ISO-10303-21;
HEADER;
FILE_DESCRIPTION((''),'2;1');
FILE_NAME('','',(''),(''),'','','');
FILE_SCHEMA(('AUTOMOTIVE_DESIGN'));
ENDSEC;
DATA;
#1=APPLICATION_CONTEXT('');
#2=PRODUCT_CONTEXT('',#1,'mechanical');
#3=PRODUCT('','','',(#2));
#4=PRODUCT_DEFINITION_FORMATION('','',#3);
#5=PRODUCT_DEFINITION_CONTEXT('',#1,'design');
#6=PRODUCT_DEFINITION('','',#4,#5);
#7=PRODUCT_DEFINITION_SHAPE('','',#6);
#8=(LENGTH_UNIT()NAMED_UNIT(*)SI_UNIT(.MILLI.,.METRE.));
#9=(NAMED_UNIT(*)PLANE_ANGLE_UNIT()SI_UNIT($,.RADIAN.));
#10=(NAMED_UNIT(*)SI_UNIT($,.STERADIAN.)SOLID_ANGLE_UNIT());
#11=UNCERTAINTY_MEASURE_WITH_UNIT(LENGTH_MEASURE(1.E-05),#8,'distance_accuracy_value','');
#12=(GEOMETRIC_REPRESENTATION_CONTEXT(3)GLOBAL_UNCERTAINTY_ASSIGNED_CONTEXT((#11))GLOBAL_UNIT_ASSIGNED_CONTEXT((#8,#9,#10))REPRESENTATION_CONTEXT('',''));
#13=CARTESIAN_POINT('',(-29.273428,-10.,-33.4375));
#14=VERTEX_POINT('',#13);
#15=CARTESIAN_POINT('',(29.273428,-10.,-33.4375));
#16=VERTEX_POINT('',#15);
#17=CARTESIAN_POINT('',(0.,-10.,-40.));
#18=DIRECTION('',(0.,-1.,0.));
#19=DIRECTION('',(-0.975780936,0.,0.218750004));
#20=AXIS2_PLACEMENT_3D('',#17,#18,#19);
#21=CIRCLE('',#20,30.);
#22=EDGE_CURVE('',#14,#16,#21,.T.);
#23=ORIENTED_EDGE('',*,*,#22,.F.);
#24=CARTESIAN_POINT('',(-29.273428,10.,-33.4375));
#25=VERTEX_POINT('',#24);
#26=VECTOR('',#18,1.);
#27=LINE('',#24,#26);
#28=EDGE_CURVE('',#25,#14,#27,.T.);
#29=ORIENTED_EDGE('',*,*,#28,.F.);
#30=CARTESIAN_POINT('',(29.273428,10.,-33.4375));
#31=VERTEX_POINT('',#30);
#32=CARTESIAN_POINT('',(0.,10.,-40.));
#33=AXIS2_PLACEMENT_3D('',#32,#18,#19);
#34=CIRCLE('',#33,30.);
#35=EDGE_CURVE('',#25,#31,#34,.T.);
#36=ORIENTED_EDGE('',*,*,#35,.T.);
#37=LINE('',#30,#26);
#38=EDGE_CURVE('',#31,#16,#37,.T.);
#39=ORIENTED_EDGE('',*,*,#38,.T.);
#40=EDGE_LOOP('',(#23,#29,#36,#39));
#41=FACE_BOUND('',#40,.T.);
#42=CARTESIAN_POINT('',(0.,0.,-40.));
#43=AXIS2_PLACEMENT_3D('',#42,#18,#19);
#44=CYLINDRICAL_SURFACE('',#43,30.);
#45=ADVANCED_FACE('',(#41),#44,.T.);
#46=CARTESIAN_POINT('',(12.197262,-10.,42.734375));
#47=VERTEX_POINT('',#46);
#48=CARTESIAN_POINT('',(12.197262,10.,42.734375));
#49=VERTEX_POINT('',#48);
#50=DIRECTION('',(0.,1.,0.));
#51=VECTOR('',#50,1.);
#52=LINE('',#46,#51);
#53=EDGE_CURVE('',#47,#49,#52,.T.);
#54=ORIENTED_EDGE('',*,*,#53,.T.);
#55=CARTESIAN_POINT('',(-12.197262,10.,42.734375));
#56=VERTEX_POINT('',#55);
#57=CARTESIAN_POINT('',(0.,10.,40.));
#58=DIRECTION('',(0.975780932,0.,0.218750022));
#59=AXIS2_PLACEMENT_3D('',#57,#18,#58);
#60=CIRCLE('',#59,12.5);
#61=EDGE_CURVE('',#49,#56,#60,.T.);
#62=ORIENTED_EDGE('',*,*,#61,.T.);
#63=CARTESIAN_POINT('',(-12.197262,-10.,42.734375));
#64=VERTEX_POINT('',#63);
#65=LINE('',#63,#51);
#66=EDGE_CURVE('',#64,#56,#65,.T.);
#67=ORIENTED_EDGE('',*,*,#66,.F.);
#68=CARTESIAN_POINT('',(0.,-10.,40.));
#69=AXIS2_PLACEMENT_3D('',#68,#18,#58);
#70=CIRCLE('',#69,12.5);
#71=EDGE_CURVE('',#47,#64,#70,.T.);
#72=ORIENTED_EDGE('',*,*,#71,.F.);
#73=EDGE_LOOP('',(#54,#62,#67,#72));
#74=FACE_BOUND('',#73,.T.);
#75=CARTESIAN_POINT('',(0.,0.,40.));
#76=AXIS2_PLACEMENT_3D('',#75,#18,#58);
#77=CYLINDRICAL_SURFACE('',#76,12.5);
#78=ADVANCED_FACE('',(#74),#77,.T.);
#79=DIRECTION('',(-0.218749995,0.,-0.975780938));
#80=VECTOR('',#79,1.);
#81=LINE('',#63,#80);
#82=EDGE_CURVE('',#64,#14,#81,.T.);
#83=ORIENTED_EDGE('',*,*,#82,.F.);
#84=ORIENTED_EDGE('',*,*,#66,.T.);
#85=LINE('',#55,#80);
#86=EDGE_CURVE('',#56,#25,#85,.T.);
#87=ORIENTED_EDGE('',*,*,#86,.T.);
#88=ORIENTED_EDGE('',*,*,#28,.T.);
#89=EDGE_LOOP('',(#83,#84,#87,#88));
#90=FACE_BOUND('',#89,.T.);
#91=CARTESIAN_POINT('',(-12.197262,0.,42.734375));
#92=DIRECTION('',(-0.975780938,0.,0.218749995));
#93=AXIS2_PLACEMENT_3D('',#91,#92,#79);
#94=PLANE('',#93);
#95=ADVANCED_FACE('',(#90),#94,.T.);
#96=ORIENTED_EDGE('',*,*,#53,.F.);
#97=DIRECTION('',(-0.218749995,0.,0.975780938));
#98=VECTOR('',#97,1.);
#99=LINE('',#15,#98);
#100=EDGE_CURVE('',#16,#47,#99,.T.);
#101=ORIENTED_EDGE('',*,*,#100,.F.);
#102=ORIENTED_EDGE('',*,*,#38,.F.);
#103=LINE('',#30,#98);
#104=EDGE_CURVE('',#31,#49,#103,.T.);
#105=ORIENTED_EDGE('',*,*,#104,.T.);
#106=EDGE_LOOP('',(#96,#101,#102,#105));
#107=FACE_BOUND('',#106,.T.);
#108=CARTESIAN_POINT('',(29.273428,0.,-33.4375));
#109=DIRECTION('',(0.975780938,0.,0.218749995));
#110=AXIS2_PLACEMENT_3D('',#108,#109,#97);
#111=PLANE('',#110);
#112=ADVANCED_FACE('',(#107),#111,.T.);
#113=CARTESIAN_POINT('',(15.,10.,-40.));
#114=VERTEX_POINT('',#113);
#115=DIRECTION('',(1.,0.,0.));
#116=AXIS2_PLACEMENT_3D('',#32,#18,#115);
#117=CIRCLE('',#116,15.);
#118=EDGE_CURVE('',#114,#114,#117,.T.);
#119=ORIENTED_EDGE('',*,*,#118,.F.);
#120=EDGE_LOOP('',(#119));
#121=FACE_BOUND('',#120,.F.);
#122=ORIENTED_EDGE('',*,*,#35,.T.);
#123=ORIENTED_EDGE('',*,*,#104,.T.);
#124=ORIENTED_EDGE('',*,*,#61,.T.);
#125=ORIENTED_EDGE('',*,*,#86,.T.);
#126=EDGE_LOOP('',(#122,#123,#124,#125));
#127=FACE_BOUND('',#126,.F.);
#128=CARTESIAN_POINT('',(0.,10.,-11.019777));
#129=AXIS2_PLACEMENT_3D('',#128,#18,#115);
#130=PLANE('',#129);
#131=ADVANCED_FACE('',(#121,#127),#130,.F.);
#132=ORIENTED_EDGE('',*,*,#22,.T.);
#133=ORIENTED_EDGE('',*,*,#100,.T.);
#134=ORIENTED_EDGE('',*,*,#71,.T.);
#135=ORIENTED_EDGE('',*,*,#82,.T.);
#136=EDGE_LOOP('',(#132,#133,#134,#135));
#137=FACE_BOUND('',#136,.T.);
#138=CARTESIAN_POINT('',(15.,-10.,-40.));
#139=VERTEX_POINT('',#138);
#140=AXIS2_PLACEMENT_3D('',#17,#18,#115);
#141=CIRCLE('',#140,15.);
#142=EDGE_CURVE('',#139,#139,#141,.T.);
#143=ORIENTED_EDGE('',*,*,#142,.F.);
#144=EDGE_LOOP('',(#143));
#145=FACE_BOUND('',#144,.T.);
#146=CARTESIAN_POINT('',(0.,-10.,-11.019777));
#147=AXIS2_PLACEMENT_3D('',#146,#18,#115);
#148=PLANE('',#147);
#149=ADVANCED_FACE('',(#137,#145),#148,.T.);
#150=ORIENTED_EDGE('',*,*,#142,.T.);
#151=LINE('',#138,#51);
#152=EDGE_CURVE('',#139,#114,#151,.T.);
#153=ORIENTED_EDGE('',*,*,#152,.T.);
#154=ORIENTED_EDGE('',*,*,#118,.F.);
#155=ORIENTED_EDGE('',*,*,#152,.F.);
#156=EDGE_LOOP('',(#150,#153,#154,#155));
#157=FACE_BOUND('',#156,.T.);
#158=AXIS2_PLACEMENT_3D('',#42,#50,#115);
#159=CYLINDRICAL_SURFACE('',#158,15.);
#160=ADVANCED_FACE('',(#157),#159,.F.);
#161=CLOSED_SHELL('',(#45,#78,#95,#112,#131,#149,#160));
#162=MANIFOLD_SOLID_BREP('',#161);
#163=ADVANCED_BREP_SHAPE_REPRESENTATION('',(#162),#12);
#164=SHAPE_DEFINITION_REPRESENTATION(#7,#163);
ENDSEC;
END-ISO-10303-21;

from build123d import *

# Parameters (mm, degrees)
F0_R     = 15
F1_DEPTH = 10


with BuildPart() as f1:
    # F0 (on Front) → F1 (new body, symmetric)
    with BuildSketch(Plane.XZ):
        with BuildLine():
            Line((-12.197262, 42.734375), (-29.273428, -33.4375))
            ThreePointArc((-29.273428, -33.4375), (0, -70), (29.273428, -33.4375))
            Line((29.273428, -33.4375), (12.197262, 42.734375))
            ThreePointArc((12.197262, 42.734375), (0, 52.5), (-12.197262, 42.734375))
        make_face()
        with Locations((0, -40)):
            Circle(F0_R, mode=Mode.SUBTRACT)
    extrude(amount=F1_DEPTH, both=True)


solid = f1.part
